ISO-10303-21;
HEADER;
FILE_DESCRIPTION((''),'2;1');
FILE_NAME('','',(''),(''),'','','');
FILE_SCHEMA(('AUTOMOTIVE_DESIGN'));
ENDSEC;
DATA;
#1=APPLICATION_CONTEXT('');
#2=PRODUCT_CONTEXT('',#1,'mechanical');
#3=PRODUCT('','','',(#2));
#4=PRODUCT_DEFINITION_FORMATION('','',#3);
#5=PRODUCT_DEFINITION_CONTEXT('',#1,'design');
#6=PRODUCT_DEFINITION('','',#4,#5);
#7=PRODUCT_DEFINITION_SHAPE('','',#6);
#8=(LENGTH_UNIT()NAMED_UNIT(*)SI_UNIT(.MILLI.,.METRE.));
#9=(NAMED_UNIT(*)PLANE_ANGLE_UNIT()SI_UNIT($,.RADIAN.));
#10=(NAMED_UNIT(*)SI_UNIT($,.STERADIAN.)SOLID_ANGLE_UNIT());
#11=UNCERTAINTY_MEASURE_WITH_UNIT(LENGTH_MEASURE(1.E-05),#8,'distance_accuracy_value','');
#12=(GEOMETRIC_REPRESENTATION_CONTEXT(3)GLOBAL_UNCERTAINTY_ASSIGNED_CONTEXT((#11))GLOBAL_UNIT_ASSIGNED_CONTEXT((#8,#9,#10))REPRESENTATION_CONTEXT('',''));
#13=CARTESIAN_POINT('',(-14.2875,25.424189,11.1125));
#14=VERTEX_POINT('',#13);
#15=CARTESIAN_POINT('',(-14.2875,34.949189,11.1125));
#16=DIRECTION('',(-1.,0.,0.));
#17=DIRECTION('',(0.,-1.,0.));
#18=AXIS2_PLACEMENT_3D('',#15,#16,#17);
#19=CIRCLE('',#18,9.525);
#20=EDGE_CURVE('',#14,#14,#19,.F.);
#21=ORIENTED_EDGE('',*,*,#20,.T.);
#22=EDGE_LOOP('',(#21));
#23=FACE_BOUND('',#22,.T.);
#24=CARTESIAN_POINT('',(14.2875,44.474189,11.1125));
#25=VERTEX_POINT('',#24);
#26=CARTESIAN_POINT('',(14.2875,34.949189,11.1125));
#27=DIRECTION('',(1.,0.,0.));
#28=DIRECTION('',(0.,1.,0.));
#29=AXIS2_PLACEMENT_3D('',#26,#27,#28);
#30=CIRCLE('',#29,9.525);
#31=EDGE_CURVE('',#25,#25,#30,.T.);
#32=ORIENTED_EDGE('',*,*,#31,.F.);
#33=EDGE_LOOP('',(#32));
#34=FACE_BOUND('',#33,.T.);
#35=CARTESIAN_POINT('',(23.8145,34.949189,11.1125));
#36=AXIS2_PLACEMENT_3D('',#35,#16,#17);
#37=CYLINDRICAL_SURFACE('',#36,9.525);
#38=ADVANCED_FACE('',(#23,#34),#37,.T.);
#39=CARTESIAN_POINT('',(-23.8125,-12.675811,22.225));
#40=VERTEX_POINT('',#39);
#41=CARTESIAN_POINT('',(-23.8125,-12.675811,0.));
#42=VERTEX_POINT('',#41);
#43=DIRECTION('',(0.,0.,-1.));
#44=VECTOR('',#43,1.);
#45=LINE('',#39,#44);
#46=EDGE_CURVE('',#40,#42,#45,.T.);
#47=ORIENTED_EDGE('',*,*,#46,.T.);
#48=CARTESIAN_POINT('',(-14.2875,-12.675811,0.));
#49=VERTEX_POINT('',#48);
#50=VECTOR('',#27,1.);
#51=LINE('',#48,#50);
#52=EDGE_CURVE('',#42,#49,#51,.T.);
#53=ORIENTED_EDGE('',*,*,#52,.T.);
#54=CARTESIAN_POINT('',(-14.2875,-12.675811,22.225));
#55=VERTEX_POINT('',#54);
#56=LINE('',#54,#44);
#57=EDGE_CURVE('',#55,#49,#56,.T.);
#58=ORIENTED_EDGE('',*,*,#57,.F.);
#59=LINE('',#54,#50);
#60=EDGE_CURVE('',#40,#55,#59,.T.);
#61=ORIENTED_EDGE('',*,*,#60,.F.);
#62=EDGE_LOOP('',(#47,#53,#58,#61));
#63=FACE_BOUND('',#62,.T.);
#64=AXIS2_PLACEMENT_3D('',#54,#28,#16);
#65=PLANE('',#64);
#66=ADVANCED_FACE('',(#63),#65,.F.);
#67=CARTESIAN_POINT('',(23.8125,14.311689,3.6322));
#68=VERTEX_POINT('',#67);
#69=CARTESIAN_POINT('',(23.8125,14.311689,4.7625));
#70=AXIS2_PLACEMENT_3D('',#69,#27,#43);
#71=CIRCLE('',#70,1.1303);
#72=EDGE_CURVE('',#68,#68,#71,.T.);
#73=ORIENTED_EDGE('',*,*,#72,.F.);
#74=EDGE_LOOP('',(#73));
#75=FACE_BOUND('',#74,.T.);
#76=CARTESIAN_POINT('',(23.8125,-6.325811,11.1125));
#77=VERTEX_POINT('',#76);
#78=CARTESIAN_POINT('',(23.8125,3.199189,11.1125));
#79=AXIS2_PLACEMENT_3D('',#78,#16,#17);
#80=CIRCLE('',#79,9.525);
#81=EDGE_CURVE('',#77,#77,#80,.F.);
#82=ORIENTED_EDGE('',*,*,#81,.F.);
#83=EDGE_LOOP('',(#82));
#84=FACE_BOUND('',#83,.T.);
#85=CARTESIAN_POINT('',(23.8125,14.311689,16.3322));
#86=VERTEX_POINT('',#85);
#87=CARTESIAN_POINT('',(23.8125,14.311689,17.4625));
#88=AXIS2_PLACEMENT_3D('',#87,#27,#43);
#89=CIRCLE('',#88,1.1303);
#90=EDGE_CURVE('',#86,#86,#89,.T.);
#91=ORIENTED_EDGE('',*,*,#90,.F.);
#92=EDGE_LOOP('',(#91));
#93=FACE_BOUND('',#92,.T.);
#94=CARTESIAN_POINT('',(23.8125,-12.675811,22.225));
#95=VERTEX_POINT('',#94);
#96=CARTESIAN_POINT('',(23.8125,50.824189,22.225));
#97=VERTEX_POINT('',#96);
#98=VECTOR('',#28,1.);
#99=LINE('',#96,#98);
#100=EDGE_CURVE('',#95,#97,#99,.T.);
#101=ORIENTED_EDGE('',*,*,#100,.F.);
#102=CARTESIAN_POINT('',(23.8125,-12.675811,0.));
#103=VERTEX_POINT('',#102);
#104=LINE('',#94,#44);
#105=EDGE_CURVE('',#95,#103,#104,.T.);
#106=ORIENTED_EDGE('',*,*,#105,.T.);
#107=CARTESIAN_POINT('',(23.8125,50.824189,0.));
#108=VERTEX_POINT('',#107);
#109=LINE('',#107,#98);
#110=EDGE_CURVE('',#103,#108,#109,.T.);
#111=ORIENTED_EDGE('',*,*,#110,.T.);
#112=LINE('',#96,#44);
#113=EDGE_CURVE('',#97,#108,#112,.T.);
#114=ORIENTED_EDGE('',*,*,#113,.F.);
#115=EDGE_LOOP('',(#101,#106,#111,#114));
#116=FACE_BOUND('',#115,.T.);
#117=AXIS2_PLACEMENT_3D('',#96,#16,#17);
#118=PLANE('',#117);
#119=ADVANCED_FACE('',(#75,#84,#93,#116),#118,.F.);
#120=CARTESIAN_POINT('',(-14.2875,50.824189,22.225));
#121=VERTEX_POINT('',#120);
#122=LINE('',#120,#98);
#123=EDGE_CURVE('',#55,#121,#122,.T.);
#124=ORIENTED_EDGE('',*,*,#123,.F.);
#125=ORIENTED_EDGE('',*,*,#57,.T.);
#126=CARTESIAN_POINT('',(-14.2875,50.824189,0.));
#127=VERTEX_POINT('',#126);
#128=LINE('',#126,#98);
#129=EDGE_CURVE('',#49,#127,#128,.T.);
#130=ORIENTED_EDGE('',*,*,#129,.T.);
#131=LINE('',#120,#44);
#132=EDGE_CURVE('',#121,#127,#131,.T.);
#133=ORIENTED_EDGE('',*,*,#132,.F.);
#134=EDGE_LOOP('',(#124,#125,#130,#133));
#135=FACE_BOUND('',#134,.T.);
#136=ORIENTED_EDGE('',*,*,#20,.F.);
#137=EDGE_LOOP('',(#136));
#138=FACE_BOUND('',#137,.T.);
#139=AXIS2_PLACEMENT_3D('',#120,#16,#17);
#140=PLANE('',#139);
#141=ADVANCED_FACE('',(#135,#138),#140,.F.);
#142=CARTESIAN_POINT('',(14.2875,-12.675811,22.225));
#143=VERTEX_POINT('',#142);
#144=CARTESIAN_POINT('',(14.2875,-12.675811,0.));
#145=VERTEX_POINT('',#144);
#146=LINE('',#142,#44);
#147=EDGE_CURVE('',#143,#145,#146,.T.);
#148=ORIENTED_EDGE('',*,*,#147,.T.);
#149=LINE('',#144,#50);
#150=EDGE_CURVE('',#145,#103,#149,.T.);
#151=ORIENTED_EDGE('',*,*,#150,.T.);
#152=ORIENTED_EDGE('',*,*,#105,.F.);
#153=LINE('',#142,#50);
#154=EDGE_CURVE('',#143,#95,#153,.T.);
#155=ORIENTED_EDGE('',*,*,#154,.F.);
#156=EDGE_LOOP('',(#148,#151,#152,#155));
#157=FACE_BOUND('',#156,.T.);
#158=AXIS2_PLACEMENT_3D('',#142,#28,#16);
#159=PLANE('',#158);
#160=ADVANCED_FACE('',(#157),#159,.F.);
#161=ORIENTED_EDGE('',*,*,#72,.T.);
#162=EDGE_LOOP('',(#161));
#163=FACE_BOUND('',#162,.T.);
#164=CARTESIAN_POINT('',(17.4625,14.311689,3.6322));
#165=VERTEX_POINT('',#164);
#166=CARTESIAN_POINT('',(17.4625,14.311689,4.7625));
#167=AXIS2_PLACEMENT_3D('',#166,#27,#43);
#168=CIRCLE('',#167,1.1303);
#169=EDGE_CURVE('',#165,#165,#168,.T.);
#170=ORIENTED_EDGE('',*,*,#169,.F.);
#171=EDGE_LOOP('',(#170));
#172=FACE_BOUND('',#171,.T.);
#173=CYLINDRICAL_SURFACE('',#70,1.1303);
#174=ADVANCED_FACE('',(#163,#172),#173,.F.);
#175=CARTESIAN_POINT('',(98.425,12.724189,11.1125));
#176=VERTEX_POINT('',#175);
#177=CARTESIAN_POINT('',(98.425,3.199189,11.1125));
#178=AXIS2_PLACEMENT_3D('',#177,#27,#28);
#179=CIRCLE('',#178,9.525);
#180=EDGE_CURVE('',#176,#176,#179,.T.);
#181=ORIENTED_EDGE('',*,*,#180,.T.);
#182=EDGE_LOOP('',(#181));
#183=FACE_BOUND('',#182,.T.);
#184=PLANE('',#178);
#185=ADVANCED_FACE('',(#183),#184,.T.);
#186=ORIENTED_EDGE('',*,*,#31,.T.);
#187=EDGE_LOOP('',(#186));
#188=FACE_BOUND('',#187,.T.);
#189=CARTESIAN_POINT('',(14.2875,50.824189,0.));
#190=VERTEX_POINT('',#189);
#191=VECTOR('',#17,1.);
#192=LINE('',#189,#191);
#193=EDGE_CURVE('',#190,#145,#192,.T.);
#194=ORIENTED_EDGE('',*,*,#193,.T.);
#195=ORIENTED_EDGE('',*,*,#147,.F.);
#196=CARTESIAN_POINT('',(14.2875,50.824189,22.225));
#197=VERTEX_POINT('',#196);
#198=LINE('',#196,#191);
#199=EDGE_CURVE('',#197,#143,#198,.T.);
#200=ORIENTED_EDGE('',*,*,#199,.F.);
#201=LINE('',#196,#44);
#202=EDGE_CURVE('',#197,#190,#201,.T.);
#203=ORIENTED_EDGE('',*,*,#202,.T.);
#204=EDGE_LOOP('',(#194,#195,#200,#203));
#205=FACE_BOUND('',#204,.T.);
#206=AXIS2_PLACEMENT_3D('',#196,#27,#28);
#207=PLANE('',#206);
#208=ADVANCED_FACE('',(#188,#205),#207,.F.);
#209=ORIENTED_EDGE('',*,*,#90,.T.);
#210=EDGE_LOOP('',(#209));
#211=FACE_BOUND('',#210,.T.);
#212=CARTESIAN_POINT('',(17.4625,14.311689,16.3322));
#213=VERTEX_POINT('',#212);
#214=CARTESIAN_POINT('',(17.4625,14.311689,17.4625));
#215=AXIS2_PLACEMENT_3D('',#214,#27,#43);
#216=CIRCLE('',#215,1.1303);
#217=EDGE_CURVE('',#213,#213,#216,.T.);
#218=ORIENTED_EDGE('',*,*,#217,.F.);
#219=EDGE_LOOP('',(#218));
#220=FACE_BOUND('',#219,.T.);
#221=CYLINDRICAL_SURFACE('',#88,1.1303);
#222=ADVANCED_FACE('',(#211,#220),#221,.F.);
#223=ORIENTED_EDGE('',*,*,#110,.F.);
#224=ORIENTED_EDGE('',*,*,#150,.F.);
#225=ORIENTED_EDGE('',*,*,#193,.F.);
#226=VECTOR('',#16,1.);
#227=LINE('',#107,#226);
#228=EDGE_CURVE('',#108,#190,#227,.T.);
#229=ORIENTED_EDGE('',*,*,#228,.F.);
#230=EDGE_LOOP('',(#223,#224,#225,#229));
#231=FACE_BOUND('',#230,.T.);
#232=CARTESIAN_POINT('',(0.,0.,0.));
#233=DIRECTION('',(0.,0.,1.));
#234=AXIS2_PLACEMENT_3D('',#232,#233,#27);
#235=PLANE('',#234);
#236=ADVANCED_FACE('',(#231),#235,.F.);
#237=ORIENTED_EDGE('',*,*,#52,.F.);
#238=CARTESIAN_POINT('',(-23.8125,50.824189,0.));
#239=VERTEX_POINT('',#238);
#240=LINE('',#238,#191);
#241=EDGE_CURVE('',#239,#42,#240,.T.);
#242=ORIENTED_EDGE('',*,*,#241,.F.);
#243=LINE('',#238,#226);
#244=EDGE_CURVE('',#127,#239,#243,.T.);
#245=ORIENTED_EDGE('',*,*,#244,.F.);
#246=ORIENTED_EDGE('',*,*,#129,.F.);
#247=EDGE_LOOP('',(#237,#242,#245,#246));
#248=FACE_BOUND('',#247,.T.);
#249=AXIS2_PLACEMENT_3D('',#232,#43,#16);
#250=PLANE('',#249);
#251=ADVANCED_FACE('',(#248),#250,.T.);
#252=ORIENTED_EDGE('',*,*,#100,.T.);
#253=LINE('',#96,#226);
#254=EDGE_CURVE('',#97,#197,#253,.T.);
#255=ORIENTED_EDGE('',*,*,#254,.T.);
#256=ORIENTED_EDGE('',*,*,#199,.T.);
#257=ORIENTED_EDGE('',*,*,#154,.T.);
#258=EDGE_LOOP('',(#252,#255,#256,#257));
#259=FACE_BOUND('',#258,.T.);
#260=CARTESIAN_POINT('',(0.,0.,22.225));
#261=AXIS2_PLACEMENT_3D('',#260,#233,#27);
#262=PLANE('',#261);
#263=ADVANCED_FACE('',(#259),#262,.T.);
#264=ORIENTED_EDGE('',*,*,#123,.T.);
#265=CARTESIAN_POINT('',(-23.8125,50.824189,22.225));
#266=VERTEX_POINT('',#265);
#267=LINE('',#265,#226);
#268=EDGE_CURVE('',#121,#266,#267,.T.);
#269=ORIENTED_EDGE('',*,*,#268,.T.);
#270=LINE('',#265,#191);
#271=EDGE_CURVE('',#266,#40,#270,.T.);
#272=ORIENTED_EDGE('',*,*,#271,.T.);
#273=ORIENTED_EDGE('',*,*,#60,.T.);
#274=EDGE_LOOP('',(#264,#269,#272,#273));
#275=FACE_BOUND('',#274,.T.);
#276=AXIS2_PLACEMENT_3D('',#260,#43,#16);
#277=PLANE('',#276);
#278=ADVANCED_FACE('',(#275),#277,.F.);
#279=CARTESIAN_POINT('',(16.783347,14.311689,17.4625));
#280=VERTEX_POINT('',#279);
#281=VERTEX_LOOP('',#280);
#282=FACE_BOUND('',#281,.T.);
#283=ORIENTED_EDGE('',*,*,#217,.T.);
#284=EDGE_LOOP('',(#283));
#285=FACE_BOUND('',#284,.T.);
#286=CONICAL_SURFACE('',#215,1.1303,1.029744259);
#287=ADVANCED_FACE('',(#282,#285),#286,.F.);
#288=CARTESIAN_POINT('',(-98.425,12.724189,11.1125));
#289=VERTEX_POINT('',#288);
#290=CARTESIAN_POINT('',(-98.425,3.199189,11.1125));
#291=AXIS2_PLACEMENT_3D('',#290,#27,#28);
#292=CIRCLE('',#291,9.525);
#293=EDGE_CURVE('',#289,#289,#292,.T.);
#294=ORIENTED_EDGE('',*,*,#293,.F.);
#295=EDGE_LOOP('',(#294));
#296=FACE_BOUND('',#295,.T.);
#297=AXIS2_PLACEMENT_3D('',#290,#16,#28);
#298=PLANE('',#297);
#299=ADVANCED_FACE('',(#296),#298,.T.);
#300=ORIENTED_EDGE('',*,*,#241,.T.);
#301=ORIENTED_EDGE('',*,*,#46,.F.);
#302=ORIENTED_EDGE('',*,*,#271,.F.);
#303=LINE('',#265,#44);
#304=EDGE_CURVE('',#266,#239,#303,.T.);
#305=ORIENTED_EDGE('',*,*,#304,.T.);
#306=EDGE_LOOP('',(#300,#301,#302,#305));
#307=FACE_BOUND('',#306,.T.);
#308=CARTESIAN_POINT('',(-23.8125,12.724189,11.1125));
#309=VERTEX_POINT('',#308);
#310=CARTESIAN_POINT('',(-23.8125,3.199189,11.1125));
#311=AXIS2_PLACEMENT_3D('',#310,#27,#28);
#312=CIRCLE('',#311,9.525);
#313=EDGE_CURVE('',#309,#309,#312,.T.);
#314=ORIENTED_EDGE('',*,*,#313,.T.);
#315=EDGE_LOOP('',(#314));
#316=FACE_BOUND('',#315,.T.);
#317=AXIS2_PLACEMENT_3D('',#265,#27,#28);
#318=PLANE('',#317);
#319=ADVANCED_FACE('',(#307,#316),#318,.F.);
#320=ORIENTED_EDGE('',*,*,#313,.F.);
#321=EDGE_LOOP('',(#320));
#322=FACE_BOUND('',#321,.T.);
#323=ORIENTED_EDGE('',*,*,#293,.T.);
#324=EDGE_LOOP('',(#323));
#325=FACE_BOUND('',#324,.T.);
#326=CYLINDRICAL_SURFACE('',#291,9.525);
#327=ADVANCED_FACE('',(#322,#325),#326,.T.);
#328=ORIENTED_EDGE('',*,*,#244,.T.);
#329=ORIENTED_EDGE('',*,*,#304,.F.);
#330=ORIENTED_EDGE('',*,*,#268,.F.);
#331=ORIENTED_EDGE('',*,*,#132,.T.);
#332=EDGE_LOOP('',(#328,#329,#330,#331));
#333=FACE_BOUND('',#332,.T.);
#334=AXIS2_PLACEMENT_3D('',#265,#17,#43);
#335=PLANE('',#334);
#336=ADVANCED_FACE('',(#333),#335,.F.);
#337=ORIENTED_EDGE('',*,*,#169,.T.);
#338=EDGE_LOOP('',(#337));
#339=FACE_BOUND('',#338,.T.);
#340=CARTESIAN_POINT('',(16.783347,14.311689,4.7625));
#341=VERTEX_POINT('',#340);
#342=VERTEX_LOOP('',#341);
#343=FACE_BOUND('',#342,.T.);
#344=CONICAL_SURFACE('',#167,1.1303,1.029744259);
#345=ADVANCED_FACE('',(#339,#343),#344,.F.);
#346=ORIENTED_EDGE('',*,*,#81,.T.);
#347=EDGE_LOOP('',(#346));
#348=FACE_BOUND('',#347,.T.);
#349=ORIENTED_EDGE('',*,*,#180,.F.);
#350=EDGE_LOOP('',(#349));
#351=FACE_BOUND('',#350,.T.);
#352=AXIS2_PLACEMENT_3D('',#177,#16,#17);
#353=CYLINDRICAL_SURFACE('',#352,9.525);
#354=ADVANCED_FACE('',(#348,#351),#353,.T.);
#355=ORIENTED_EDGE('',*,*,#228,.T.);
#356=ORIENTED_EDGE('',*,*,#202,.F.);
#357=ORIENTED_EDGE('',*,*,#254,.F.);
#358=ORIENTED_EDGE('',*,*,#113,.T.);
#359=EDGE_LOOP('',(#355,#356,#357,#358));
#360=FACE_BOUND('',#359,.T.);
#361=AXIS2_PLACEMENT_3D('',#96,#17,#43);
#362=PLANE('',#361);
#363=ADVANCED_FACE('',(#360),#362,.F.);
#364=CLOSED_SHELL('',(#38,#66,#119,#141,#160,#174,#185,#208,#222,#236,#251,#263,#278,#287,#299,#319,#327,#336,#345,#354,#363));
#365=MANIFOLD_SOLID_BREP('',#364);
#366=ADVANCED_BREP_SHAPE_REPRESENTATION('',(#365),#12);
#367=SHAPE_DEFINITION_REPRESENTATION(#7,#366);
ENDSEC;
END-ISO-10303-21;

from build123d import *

# Parameters (mm, degrees)
SKETCH2_W                       = 9.525
SKETCH2_H                       = 63.5
BOSS_EXTRUDE1_DEPTH             = 22.225
BOSS_EXTRUDE1_2_DEPTH           = 22.225
BOSS_EXTRUDE3_REACH             = 69.295
SKETCH3_R                       = 9.525
SKETCH4_R                       = 9.525
BOSS_EXTRUDE4_DEPTH             = 74.6125
F_43_0_089_DIAMETER_HOLE1_D     = 2.2606
F_43_0_089_DIAMETER_HOLE1_DEPTH = 6.35
F_43_0_089_DIAMETER_HOLE1_TIP   = 0.679152758


with BuildPart() as part:
    # Sketch2 → Boss-Extrude1 (new body)
    with BuildSketch(Plane.XY):
        with Locations((-19.05, 19.074189237)):
            Rectangle(SKETCH2_W, SKETCH2_H)
    extrude(amount=BOSS_EXTRUDE1_DEPTH)


with BuildPart() as body_2:
    # Sketch2 → Boss-Extrude1 2 (new body)
    with BuildSketch(Plane.XY):
        with Locations((19.05, 19.074189237)):
            Rectangle(SKETCH2_W, SKETCH2_H)
    extrude(amount=BOSS_EXTRUDE1_2_DEPTH)

    # Sketch3 → Boss-Extrude3 (add, up to next)
    with BuildSketch(Plane(origin=(-14.2875, 0, 0), x_dir=(0, 0, -1), z_dir=(1, 0, 0)), mode=Mode.PRIVATE) as boss_extrude3_sk1:
        with Locations(Location((-11.1125, 34.949189237, 0), (0, 0, 270))):
            Circle(SKETCH3_R)
    boss_extrude3_tool1 = extrude(boss_extrude3_sk1.sketch, amount=BOSS_EXTRUDE3_REACH, mode=Mode.PRIVATE) - body_2.part

    add(part.part)  # Boss-Extrude3 merges part
    add(boss_extrude3_tool1.solids().sort_by_distance((-14.2875, 34.949189, 11.1125))[0])

    # Sketch4 → Boss-Extrude4 (add)
    with BuildSketch(Plane(origin=(23.8125, 0, 0), x_dir=(0, 0, -1), z_dir=(1, 0, 0))):
        with Locations(Location((-11.1125, 3.199189237, 0), (0, 0, 270))):
            Circle(SKETCH4_R)
    boss_extrude4 = extrude(amount=BOSS_EXTRUDE4_DEPTH)

    # Mirror1: Boss-Extrude4 across plane
    add(boss_extrude4.mirror(Plane(origin=(0, 0, 0), x_dir=(0, 0, 1), z_dir=(1, 0, 0))))

    # #43 (0.089) Diameter Hole1
    with Locations(Plane(origin=(23.8125, 0, 0), x_dir=(0, 0, -1), z_dir=(1, 0, 0))):
        with Locations((-17.4625, 14.311689237), (-4.7625, 14.311689237)):
            Hole(F_43_0_089_DIAMETER_HOLE1_D / 2, depth=F_43_0_089_DIAMETER_HOLE1_DEPTH)
            with Locations((0, 0, -(F_43_0_089_DIAMETER_HOLE1_DEPTH + F_43_0_089_DIAMETER_HOLE1_TIP / 2))):  # 118° drill point
                Cone(0, F_43_0_089_DIAMETER_HOLE1_D / 2, F_43_0_089_DIAMETER_HOLE1_TIP, mode=Mode.SUBTRACT)


solid = body_2.part
